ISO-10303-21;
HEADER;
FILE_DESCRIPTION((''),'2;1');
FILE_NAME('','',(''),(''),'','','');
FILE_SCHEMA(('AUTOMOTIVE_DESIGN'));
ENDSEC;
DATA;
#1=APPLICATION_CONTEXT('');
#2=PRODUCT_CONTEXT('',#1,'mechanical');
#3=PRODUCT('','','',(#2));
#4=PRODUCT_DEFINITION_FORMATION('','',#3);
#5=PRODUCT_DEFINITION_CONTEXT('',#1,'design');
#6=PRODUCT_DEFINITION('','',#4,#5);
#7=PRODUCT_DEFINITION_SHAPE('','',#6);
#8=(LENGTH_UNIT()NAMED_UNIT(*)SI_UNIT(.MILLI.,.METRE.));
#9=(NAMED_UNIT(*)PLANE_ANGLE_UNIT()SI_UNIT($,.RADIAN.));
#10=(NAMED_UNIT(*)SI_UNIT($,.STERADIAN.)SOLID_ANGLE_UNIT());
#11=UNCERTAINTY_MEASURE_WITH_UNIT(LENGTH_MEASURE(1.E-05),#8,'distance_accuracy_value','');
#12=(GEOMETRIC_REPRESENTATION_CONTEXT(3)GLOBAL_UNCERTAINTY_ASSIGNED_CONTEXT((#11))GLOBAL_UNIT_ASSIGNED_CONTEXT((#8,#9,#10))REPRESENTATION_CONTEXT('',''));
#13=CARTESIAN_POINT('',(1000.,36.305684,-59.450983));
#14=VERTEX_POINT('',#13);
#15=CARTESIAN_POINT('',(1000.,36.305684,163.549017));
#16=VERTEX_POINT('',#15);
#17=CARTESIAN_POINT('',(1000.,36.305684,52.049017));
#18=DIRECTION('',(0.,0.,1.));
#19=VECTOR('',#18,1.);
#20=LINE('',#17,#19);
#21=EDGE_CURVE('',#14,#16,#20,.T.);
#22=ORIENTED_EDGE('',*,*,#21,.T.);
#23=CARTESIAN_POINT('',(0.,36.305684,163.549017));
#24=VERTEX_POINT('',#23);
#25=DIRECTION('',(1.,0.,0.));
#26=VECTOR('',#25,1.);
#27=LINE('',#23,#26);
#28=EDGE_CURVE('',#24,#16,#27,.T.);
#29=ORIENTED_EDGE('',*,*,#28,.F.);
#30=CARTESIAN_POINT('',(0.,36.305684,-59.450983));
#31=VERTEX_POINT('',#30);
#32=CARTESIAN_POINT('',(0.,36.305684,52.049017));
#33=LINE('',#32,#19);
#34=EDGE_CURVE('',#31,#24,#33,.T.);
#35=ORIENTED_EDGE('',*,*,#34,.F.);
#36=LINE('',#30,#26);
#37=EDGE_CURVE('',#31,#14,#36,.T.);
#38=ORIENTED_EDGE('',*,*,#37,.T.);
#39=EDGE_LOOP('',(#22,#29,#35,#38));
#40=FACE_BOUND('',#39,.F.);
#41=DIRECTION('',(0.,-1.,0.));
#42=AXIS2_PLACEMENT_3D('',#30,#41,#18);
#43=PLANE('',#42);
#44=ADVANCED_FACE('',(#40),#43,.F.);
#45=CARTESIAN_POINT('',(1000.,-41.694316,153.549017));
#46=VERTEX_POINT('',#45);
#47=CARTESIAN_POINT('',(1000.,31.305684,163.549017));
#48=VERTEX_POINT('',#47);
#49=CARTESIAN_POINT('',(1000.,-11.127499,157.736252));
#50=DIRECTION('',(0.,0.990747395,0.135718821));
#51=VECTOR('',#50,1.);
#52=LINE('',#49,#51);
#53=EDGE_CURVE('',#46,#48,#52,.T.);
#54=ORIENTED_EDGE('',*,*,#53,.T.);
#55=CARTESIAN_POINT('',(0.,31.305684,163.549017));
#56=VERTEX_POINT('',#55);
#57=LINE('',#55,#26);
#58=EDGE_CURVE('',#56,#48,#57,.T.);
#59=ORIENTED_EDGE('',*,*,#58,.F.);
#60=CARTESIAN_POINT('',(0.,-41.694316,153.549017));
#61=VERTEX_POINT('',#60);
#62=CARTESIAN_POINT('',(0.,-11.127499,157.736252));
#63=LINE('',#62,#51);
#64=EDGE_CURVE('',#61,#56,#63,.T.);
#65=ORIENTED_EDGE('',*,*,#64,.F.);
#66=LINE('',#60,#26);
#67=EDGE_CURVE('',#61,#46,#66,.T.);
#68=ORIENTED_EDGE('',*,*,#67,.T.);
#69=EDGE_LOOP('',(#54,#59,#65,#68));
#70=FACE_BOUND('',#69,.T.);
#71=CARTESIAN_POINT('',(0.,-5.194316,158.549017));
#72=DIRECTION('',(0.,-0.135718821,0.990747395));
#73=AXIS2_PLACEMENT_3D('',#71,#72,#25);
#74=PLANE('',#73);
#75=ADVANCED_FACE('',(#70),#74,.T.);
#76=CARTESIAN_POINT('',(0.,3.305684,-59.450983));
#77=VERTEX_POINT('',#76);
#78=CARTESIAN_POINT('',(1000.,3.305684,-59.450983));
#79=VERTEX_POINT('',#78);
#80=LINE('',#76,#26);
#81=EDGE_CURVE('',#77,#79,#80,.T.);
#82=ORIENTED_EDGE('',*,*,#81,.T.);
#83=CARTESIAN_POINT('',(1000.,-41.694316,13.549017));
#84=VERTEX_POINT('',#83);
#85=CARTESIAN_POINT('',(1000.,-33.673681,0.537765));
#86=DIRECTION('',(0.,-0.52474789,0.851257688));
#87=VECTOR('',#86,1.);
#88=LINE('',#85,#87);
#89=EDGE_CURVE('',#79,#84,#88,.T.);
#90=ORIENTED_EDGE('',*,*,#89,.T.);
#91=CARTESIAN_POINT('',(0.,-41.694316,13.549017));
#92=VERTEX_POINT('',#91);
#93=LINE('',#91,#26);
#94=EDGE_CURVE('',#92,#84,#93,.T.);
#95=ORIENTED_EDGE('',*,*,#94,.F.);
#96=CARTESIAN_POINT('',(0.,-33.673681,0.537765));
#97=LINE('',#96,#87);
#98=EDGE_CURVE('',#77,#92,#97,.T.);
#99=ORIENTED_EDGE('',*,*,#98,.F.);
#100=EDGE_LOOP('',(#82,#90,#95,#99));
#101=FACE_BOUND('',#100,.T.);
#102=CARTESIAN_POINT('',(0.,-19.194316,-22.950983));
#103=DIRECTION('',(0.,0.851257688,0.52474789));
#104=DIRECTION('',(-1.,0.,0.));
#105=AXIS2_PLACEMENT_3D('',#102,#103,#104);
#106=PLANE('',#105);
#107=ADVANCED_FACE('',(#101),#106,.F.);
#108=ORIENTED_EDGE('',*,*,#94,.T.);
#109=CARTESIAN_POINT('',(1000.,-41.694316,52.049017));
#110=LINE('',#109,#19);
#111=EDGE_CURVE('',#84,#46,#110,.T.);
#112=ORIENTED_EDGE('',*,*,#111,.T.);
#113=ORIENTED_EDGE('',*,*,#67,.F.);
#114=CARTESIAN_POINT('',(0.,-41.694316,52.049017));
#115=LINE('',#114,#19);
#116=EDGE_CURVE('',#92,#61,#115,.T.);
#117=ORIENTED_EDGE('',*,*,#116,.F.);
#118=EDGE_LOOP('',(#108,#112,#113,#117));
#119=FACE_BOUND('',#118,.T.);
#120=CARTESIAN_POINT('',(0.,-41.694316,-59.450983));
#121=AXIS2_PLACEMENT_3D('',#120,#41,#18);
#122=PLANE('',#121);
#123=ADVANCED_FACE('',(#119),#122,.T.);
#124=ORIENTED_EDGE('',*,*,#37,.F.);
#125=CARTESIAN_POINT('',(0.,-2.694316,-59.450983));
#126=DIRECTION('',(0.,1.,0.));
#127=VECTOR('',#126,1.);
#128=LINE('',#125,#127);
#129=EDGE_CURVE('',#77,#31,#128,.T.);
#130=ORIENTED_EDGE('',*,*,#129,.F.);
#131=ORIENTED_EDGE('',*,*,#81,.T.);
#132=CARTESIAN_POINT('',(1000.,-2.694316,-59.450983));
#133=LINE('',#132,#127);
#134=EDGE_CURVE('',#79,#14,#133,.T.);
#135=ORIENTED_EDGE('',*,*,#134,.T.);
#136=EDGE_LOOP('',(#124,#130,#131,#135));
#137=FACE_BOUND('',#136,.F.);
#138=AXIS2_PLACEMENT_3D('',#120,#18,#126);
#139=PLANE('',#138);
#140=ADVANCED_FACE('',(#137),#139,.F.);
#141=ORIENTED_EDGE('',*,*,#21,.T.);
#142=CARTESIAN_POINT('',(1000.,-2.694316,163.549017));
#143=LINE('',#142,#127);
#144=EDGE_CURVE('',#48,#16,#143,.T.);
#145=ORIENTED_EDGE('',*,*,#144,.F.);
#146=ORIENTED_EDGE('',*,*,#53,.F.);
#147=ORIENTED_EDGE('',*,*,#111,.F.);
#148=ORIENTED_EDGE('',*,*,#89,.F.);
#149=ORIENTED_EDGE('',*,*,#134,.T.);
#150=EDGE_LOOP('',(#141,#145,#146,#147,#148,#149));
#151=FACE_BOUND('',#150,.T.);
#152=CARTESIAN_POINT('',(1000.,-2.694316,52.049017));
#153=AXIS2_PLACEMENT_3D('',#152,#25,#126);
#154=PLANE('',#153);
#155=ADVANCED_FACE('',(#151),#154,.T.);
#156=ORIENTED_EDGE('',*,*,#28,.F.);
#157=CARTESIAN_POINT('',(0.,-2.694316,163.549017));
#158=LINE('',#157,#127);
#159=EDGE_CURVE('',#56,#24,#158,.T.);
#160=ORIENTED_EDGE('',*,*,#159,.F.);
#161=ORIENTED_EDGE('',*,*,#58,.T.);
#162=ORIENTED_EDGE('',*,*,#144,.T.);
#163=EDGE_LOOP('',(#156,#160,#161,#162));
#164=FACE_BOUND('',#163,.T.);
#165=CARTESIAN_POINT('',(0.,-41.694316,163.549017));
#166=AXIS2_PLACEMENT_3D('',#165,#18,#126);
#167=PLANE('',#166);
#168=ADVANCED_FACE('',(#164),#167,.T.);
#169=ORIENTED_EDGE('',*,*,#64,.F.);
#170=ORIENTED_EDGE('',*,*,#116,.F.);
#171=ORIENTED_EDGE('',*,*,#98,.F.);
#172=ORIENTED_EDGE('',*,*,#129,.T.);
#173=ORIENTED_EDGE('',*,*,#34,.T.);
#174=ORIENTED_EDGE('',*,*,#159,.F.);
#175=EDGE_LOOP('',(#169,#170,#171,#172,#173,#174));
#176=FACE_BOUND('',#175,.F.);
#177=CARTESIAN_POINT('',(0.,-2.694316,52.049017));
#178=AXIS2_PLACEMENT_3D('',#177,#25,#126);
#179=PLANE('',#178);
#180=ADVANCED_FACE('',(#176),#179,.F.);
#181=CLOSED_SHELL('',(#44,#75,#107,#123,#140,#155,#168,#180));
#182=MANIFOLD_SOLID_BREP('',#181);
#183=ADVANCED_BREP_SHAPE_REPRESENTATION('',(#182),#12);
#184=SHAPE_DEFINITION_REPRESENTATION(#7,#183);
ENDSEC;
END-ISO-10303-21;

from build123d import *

# Parameters (mm, degrees)
F0_W     = 78
F0_H     = 223
F1_DEPTH = 1000
F2_SIZE2 = 73
F2_SIZE  = 10
F3_SIZE2 = 73
F3_SIZE  = 45


with BuildPart() as f1:
    # F0 (on Right) → F1 (new body)
    with BuildSketch(Plane.YZ):
        with Locations((-2.6943162084, 52.0490169225)):
            Rectangle(F0_W, F0_H)
    extrude(amount=F1_DEPTH)

    # F2
    f2_edges = [f1.edges().sort_by_distance(p)[0] for p in [
        (500, -41.694316, 163.549017),
    ]]
    f2_side = f1.faces().sort_by_distance((500, -41.694316, 52.049017))[0]
    chamfer(f2_edges, length=F2_SIZE, length2=F2_SIZE2, reference=f2_side)

    # F3
    f3_edges = [f1.edges().sort_by_distance(p)[0] for p in [
        (500, -41.694316, -59.450983),
    ]]
    f3_side = f1.faces().sort_by_distance((500, -2.694316, -59.450983))[0]
    chamfer(f3_edges, length=F3_SIZE, length2=F3_SIZE2, reference=f3_side)


solid = f1.part
